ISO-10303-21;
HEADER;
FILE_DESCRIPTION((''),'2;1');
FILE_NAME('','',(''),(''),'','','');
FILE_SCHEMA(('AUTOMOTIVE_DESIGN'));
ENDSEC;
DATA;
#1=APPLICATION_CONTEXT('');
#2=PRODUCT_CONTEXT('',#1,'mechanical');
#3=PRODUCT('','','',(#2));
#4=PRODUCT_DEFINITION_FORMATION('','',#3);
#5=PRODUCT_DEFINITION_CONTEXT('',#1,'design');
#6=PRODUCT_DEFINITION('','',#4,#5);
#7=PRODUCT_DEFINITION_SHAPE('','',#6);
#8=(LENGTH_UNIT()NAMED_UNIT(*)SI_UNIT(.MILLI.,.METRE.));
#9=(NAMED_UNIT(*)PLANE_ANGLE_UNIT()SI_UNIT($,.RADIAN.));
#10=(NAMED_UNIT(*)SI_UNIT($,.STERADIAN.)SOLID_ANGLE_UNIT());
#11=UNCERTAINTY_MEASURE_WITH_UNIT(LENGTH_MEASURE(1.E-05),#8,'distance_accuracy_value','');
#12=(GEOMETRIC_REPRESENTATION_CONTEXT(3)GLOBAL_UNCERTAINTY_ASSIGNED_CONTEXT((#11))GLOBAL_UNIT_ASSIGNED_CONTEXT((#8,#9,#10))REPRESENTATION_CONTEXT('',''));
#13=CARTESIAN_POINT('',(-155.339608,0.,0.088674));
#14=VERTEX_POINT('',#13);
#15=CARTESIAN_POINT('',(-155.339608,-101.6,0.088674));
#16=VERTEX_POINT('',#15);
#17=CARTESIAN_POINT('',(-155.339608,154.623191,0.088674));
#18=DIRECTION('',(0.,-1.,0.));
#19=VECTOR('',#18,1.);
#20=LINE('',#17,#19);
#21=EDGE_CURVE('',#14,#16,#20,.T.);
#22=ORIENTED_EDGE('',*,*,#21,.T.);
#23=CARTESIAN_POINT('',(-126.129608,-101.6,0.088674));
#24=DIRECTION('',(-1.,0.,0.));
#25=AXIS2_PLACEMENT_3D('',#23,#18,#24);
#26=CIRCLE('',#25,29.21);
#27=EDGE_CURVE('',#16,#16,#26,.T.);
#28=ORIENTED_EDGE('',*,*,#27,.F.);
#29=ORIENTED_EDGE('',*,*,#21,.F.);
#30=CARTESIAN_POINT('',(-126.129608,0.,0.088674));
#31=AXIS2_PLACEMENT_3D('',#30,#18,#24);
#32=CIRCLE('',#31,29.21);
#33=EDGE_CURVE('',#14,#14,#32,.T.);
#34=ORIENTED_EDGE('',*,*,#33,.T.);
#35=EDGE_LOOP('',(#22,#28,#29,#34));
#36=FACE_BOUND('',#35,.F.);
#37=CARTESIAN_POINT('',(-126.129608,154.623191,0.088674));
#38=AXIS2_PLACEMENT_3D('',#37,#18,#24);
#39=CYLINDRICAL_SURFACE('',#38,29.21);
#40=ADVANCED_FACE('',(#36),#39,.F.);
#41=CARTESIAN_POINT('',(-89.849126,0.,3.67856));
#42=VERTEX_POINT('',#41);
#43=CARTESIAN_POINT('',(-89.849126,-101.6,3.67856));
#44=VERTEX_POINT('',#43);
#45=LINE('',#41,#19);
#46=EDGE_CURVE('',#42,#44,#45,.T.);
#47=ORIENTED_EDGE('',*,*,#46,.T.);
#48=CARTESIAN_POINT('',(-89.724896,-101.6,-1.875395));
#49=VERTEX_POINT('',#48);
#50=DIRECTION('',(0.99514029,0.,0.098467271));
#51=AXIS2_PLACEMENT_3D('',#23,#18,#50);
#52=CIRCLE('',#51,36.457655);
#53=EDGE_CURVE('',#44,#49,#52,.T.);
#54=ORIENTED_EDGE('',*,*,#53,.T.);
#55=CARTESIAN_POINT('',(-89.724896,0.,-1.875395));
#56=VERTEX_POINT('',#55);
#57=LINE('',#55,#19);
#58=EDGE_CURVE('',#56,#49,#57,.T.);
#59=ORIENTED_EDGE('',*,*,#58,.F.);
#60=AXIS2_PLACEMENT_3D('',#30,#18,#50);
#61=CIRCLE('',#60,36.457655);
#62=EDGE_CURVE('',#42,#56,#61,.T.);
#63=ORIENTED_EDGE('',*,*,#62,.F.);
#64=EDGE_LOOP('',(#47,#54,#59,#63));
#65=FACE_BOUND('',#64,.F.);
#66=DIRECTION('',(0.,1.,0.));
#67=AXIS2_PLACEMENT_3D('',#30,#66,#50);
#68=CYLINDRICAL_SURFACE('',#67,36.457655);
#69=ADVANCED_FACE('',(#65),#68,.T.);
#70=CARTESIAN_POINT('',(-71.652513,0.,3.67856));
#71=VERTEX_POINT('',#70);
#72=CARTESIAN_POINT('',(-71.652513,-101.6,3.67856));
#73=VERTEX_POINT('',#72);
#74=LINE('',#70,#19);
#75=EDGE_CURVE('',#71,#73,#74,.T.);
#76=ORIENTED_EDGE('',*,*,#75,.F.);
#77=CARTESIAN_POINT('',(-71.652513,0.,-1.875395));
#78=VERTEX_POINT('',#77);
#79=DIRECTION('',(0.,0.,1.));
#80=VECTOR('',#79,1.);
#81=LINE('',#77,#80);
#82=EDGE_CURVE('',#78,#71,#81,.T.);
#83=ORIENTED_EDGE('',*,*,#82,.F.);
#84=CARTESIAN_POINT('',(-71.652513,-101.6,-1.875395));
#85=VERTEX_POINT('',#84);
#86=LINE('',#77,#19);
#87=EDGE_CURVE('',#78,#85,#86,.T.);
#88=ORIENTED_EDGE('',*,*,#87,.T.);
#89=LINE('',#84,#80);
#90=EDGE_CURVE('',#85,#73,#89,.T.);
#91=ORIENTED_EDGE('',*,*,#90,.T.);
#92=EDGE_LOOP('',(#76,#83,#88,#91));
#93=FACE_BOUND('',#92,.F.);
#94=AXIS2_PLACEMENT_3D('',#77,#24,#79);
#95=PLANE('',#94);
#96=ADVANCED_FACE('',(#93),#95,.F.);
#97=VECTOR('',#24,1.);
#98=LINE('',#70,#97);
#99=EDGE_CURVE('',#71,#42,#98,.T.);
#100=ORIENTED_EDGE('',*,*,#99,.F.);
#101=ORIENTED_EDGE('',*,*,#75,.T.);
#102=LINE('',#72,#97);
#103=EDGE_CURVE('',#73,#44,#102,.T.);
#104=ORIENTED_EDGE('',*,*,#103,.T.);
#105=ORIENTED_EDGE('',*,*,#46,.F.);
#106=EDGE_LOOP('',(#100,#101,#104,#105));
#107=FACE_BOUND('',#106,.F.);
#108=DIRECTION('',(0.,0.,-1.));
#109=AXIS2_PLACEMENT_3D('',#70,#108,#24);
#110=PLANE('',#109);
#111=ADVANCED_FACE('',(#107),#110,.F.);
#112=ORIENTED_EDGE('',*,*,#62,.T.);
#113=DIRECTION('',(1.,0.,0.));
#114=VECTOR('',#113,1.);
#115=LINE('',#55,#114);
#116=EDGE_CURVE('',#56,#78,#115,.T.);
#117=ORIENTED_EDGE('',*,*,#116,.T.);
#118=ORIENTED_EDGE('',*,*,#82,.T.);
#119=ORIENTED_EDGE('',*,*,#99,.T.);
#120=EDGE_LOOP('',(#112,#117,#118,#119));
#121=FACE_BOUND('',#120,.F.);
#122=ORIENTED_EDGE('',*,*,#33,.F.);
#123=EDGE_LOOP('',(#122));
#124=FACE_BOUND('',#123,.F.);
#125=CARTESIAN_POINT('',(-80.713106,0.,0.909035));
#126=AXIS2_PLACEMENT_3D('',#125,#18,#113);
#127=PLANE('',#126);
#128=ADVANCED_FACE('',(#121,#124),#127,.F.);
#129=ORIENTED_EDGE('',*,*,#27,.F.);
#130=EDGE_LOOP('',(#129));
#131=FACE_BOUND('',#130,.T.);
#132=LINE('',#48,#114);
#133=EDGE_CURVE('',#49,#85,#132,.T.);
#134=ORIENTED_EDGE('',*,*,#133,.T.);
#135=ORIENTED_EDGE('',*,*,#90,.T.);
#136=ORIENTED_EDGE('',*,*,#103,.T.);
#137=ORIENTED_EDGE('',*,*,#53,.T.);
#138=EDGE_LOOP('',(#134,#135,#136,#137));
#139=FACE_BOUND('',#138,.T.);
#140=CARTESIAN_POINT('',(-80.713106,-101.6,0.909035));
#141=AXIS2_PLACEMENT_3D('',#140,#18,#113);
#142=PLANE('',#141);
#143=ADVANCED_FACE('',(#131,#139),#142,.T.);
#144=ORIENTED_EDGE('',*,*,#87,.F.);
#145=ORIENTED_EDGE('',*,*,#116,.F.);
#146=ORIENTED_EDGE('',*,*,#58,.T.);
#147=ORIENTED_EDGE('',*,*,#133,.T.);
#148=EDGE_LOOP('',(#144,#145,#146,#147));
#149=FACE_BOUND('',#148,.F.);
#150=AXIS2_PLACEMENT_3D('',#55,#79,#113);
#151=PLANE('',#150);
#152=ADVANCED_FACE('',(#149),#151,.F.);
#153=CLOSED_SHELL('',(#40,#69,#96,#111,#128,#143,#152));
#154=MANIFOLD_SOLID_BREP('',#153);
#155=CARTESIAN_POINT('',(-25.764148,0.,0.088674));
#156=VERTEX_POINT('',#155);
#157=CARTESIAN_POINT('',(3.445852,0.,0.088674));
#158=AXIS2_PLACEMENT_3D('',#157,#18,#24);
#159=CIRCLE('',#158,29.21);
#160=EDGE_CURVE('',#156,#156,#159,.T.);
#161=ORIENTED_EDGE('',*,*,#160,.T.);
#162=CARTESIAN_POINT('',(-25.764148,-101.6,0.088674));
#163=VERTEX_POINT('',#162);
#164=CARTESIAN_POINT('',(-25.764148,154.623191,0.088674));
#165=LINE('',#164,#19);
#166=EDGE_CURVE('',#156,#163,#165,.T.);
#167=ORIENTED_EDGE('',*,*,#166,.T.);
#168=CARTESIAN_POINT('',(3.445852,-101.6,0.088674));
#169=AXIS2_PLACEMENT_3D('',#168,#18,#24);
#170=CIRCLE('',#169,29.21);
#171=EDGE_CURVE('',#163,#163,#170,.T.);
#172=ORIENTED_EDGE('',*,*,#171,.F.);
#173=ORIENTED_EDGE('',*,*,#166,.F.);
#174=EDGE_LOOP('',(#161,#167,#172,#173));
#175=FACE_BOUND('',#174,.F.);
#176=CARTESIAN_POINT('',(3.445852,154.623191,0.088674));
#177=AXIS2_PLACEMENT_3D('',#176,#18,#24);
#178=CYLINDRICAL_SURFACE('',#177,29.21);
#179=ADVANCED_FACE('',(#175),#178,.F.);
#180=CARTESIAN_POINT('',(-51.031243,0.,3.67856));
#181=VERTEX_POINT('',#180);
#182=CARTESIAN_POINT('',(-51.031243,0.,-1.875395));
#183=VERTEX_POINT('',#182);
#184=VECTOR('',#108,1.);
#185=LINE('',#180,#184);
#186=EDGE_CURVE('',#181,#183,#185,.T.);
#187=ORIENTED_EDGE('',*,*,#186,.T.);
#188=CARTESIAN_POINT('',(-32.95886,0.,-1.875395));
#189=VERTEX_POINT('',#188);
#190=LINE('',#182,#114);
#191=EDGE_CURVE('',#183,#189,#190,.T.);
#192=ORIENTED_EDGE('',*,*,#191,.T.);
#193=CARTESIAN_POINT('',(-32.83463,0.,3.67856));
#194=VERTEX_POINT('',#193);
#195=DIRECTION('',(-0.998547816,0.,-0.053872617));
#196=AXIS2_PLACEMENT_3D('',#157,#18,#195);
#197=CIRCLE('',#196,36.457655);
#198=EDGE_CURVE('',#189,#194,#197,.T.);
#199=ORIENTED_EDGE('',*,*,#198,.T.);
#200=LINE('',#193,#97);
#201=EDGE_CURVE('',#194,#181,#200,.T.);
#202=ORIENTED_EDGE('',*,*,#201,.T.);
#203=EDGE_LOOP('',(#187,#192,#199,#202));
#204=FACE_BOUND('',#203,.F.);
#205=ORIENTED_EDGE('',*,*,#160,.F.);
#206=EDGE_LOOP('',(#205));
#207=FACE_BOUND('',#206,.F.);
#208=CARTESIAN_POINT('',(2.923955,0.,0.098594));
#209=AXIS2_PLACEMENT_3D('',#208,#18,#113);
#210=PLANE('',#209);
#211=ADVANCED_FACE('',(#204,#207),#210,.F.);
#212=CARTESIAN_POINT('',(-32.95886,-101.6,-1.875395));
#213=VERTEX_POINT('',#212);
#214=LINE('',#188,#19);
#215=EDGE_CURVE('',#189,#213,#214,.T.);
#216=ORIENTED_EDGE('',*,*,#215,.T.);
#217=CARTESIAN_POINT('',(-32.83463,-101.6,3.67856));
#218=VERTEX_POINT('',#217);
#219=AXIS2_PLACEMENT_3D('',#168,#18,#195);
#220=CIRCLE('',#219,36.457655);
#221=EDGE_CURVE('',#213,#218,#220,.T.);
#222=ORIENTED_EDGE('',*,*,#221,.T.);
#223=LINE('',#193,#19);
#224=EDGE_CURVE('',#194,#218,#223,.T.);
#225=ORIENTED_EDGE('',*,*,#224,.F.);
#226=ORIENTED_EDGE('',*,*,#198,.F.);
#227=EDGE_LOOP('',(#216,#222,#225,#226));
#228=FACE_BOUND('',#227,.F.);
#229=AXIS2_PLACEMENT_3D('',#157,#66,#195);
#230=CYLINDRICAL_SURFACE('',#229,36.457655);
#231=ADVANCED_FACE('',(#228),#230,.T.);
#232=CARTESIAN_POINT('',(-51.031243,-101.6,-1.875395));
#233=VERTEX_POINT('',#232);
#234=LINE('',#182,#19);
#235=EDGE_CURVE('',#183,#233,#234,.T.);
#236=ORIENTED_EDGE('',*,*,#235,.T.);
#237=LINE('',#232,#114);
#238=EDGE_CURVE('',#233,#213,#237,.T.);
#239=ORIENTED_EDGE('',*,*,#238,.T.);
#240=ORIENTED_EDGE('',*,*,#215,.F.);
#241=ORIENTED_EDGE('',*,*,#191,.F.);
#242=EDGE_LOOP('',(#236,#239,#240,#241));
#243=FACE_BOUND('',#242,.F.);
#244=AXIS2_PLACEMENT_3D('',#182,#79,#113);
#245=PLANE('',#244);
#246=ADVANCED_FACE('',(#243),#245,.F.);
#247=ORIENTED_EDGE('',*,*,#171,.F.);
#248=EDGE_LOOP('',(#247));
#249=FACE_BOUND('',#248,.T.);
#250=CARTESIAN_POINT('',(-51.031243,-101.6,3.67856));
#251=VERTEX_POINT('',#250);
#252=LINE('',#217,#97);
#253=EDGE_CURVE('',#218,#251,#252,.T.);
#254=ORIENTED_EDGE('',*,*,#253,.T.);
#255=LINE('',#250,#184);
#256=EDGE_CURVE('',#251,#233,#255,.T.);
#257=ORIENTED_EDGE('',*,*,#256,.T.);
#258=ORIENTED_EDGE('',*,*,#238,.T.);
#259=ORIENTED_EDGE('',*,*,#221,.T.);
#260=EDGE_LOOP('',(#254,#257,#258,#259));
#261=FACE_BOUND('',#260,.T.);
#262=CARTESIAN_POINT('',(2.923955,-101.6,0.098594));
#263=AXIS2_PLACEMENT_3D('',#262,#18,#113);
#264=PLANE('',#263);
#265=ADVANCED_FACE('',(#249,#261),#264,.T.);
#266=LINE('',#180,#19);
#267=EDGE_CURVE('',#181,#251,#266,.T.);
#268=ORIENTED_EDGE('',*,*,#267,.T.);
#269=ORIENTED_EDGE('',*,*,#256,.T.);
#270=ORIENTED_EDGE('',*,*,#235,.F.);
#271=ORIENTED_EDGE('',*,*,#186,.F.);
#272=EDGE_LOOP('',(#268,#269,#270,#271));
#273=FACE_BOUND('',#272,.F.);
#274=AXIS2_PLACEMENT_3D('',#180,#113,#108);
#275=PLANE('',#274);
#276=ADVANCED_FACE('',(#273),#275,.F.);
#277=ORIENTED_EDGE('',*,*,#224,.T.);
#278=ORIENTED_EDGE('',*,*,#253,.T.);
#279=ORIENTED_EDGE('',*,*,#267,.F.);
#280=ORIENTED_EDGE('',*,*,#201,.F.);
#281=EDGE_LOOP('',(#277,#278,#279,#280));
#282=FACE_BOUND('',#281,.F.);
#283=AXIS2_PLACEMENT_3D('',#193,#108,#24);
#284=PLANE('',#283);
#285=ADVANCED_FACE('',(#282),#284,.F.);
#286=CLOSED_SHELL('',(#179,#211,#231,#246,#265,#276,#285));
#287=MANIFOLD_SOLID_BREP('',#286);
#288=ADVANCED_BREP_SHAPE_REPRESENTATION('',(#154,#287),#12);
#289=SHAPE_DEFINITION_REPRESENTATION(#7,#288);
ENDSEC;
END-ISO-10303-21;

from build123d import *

# Parameters (mm, degrees)
F1_DEPTH = 101.6
F2_D     = 58.42
F3_D     = 58.42


with BuildPart() as f1:
    # F0 (on Front) → F1 (new body)
    with BuildSketch(Plane.XZ):
        with BuildLine():
            ThreePointArc((-32.9588601721, -1.8753951881), (4.4282430341, -36.3557427341), (39.9035067211, 0.0886741137))
            ThreePointArc((39.9035067211, 0.0886741137), (5.2429792671, 36.5020088217), (-32.8346297567, 3.6785599019))
            Line((-32.8346297567, 3.6785599019), (-32.8346297567, -1.8753951881))
            Line((-32.8346297567, -1.8753951881), (-32.9588601721, -1.8753951881))
        make_face()
        with BuildLine():
            Line((-32.8346297567, -1.8753951881), (-32.8346297567, 3.6785599019))
            ThreePointArc((-32.8346297567, 3.6785599019), (-33.0026864957, 0.9039520485), (-32.9588601721, -1.8753951881))
            Line((-32.9588601721, -1.8753951881), (-32.8346297567, -1.8753951881))
        make_face()
        with BuildLine():
            ThreePointArc((-32.9588601721, -1.8753951881), (-33.0026864957, 0.9039520485), (-32.8346297567, 3.6785599019))
            Line((-32.8346297567, 3.6785599019), (-51.0312430561, 3.6785599019))
            Line((-51.0312430561, 3.6785599019), (-51.0312430561, -1.8753951881))
            Line((-51.0312430561, -1.8753951881), (-32.9588601721, -1.8753951881))
        make_face()
    extrude(amount=F1_DEPTH)

    # F2 (through all)
    with Locations(Plane(origin=(0, 0, 0), x_dir=(1, 0, 0), z_dir=(0, 1, 0))):
        with Locations((3.4458516652, -0.0886741137)):
            Hole(F2_D / 2)


with BuildPart() as f1b:
    # F0 (on Front) → F1, piece 2 (new body)
    with BuildSketch(Plane.XZ):
        with BuildLine():
            Line((-71.6525129974, 3.6785599019), (-89.8491262968, 3.6785599019))
            ThreePointArc((-89.8491262968, 3.6785599019), (-89.7162730106, 1.8858017155), (-89.6719526627, 0.0886741137))
            ThreePointArc((-89.6719526627, 0.0886741137), (-89.6851908709, -0.8937172552), (-89.7248958814, -1.8753951881))
            Line((-89.7248958814, -1.8753951881), (-71.6525129974, -1.8753951881))
            Line((-71.6525129974, -1.8753951881), (-71.6525129974, 3.6785599019))
        make_face()
        with BuildLine():
            ThreePointArc((-89.6719526627, 0.0886741137), (-89.7162730106, 1.8858017155), (-89.8491262968, 3.6785599019))
            ThreePointArc((-89.8491262968, 3.6785599019), (-162.5781458795, -0.7266038211), (-89.7248958814, -1.8753951881))
            ThreePointArc((-89.7248958814, -1.8753951881), (-89.6851908709, -0.8937172552), (-89.6719526627, 0.0886741137))
        make_face()
    extrude(amount=F1_DEPTH)

    # F3 (through all)
    with Locations(Plane(origin=(0, 0, 0), x_dir=(1, 0, 0), z_dir=(0, 1, 0))):
        with Locations((-126.1296077187, -0.0886741137)):
            Hole(F3_D / 2)


solid = Compound([f1.part, f1b.part])
